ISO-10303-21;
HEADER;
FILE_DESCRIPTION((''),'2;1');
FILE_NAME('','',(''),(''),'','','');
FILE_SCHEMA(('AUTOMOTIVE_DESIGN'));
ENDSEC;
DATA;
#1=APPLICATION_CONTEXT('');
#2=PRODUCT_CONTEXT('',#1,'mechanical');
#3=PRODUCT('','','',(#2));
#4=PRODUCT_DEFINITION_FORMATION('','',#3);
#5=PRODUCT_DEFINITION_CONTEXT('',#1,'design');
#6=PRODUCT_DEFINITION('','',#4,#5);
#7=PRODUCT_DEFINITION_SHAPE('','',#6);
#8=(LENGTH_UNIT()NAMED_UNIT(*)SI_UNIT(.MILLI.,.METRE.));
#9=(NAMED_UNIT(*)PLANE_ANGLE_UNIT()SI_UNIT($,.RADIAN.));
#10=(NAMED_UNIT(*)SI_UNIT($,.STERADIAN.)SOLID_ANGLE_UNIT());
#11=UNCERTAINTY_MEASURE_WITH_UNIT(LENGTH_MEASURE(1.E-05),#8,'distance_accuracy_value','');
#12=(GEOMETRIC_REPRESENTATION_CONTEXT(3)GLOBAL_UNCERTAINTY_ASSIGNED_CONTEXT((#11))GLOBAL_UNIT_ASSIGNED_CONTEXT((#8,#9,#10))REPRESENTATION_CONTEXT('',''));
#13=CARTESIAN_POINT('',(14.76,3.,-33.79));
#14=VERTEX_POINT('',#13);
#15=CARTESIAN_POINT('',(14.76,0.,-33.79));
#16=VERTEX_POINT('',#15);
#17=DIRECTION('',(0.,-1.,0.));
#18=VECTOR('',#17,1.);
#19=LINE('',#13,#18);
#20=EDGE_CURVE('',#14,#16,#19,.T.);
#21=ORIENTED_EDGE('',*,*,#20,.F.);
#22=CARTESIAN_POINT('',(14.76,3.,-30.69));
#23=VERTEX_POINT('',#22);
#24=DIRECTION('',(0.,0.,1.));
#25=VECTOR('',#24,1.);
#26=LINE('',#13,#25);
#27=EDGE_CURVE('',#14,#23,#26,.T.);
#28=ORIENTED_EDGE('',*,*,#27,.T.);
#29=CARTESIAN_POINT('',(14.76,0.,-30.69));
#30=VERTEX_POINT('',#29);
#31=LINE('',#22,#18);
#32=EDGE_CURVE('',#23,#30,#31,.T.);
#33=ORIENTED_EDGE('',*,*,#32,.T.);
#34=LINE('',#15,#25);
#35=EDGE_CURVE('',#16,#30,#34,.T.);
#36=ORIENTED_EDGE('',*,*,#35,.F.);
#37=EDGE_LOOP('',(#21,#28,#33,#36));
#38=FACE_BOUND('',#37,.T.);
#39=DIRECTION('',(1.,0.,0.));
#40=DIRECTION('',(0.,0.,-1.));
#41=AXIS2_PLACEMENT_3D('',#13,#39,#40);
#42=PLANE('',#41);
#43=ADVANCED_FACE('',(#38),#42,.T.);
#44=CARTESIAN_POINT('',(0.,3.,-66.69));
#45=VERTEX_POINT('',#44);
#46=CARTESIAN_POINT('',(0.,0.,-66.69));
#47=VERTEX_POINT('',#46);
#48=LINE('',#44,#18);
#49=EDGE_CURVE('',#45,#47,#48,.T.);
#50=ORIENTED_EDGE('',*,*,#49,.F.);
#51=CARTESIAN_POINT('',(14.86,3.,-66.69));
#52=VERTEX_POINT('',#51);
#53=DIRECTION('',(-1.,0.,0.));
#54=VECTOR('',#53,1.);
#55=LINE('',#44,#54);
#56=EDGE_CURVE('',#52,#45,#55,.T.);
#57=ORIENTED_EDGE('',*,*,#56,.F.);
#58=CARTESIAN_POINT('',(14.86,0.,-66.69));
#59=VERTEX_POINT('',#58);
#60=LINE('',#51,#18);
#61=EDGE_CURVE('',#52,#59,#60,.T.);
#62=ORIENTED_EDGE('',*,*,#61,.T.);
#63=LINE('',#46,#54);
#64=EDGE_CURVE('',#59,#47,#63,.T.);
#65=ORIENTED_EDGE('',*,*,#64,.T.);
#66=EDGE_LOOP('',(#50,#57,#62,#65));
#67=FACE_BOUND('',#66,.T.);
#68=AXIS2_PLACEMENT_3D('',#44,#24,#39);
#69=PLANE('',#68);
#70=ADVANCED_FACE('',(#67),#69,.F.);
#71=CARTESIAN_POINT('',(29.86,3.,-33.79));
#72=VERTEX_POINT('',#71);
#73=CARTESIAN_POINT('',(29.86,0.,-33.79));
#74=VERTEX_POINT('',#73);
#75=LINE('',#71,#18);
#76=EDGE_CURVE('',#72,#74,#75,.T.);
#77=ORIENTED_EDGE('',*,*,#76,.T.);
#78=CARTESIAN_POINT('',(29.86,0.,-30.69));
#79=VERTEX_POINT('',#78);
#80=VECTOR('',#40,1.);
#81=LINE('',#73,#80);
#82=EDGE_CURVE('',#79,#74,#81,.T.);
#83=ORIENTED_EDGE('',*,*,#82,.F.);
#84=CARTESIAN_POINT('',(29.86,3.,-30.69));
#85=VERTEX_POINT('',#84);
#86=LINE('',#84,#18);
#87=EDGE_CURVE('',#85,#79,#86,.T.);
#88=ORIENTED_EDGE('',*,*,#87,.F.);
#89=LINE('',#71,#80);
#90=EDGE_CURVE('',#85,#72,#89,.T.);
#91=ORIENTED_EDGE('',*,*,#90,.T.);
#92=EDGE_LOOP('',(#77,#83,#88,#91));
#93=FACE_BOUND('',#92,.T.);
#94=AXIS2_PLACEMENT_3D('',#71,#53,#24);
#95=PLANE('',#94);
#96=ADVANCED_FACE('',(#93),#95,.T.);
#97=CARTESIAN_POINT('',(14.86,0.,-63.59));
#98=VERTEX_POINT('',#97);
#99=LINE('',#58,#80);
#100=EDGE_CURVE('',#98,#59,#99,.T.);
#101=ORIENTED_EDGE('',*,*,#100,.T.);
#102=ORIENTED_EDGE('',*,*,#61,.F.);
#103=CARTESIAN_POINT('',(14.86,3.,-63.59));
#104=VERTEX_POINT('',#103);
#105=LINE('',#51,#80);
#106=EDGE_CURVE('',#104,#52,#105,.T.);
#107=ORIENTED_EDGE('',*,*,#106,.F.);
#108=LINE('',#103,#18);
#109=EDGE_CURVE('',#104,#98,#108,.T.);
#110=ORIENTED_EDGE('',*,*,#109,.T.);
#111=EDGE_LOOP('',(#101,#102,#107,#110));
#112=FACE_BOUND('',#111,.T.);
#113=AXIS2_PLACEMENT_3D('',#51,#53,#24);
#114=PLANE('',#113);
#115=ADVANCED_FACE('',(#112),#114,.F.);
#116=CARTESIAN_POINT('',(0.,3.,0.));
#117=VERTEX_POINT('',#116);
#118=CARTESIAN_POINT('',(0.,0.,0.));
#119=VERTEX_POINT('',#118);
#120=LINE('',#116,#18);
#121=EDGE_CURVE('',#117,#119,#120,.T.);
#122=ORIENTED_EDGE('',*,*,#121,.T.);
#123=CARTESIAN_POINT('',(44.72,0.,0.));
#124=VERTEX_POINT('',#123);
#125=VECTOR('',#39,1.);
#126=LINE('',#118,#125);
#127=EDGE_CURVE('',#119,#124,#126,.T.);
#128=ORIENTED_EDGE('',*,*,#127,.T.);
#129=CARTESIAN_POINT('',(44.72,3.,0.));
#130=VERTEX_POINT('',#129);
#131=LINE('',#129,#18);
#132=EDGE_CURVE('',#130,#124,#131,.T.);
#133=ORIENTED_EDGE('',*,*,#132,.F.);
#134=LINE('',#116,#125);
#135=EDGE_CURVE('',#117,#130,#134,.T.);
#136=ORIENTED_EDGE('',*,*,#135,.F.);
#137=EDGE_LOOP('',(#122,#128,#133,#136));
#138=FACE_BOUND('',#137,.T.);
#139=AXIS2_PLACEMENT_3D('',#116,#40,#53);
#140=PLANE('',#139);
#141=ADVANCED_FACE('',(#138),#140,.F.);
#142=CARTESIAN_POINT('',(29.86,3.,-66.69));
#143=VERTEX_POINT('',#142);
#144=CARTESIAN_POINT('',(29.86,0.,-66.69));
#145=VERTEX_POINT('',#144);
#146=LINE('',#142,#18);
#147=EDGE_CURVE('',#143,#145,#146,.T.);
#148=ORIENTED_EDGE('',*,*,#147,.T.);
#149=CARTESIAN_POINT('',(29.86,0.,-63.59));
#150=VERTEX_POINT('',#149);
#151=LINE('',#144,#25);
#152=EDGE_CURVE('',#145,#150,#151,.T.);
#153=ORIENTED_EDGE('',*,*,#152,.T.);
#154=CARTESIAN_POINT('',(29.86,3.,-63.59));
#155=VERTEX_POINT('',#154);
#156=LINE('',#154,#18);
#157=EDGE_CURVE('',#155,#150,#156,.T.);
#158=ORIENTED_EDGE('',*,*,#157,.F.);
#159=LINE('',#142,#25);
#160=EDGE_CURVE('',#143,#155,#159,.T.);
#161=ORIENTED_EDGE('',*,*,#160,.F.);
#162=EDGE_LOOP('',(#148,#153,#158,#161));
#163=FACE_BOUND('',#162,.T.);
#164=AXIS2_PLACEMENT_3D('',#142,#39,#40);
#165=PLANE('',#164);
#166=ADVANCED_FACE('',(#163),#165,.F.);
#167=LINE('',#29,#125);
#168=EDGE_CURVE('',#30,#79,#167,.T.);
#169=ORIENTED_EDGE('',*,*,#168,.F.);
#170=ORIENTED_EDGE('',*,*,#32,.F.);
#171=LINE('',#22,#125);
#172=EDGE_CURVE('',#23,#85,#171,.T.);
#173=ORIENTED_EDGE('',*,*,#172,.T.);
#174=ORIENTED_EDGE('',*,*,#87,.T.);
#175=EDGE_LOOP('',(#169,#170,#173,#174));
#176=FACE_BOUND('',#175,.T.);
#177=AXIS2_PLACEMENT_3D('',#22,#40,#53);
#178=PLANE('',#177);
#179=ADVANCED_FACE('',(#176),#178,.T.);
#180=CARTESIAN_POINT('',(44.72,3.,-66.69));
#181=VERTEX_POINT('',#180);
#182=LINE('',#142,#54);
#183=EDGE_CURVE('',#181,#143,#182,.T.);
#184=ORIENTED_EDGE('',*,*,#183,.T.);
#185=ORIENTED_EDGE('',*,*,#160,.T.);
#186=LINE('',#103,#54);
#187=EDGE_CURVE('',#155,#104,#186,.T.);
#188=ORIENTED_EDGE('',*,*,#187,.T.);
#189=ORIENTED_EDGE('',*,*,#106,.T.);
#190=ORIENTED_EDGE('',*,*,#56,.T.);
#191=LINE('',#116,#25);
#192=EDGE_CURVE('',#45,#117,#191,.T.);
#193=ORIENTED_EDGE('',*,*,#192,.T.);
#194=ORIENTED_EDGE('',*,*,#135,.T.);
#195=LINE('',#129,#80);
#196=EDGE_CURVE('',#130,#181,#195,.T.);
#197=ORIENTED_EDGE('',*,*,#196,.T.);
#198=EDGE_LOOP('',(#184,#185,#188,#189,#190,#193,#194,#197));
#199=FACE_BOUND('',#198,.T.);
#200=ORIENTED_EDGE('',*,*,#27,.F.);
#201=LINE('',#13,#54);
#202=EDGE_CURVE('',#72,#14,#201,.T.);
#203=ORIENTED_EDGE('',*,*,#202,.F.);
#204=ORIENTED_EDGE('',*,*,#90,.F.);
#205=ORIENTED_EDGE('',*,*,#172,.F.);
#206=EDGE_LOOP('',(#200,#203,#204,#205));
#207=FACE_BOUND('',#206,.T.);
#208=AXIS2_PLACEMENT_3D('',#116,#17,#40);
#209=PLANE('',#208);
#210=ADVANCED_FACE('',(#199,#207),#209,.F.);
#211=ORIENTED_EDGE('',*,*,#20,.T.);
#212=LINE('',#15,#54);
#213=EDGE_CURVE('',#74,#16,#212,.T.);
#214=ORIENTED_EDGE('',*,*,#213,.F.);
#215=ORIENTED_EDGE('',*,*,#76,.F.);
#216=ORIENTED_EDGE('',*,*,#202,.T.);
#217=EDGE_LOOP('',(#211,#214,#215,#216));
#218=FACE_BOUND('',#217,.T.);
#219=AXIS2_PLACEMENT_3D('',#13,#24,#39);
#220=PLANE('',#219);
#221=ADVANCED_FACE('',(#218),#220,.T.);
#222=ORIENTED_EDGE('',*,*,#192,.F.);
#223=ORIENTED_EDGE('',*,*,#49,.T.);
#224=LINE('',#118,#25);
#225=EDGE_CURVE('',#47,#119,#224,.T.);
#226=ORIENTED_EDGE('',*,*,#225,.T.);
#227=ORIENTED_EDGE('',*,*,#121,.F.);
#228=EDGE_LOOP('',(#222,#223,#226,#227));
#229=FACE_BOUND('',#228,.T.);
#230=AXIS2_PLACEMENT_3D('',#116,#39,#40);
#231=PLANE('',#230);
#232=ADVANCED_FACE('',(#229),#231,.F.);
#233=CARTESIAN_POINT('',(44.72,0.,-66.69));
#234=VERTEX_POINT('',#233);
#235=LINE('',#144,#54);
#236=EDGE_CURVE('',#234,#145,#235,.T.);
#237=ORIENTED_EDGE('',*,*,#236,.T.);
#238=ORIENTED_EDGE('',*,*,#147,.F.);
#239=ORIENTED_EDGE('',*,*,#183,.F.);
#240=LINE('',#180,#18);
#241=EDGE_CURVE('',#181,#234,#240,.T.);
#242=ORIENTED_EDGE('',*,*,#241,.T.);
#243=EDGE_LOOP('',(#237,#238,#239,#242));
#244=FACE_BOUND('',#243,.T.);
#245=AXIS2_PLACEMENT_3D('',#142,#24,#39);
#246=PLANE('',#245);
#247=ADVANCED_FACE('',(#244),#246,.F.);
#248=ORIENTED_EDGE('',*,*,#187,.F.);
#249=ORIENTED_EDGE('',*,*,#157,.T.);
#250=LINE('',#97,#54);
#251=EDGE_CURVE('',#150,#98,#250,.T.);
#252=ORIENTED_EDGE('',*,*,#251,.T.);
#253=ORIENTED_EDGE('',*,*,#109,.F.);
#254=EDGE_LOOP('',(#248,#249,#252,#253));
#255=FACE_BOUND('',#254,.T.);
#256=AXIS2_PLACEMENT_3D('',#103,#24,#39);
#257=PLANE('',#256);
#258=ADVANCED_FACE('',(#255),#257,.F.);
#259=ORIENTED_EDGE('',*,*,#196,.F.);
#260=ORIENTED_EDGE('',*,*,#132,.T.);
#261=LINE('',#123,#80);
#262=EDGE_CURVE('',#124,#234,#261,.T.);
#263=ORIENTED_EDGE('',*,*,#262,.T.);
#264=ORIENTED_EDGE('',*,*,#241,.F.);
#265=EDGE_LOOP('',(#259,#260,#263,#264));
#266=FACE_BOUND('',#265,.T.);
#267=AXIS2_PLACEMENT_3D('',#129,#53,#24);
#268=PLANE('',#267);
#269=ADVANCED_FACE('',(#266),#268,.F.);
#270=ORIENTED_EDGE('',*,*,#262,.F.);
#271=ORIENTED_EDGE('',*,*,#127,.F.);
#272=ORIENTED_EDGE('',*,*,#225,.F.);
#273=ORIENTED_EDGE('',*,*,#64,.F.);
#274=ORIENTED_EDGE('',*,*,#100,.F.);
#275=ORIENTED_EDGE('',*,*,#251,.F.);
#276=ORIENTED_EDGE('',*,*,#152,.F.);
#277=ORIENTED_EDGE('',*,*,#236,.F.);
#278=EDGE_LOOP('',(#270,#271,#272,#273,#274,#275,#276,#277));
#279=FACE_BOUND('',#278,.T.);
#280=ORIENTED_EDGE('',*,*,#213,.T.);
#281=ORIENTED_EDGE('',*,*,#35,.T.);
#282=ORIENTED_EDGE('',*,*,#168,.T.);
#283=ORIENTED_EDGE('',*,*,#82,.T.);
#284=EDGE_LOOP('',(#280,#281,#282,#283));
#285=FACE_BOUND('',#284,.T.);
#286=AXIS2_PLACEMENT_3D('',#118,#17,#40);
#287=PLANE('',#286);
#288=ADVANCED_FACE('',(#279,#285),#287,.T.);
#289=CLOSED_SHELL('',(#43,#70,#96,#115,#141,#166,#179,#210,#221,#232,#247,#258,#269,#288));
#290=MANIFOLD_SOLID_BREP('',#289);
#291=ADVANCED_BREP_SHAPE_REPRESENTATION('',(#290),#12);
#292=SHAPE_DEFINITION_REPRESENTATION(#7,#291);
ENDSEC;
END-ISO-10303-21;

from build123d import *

# Parameters (mm, degrees)
SKETCH2_W           = 15.1
SKETCH2_H           = 3.1
BOSS_EXTRUDE3_DEPTH = 3


with BuildPart() as part:
    # Sketch2 → Boss-Extrude3 (new body)
    with BuildSketch(Plane(origin=(0, 0, 0), x_dir=(1, 0, 0), z_dir=(0, 1, 0))):
        Polygon((0, 0), (44.72, 0), (44.72, 66.69), (29.86, 66.69), (29.86, 63.59), (14.86, 63.59), (14.86, 66.69), (0, 66.69), align=None)
        with Locations((22.31, 32.24)):
            Rectangle(SKETCH2_W, SKETCH2_H, mode=Mode.SUBTRACT)
    extrude(amount=BOSS_EXTRUDE3_DEPTH)


solid = part.part
